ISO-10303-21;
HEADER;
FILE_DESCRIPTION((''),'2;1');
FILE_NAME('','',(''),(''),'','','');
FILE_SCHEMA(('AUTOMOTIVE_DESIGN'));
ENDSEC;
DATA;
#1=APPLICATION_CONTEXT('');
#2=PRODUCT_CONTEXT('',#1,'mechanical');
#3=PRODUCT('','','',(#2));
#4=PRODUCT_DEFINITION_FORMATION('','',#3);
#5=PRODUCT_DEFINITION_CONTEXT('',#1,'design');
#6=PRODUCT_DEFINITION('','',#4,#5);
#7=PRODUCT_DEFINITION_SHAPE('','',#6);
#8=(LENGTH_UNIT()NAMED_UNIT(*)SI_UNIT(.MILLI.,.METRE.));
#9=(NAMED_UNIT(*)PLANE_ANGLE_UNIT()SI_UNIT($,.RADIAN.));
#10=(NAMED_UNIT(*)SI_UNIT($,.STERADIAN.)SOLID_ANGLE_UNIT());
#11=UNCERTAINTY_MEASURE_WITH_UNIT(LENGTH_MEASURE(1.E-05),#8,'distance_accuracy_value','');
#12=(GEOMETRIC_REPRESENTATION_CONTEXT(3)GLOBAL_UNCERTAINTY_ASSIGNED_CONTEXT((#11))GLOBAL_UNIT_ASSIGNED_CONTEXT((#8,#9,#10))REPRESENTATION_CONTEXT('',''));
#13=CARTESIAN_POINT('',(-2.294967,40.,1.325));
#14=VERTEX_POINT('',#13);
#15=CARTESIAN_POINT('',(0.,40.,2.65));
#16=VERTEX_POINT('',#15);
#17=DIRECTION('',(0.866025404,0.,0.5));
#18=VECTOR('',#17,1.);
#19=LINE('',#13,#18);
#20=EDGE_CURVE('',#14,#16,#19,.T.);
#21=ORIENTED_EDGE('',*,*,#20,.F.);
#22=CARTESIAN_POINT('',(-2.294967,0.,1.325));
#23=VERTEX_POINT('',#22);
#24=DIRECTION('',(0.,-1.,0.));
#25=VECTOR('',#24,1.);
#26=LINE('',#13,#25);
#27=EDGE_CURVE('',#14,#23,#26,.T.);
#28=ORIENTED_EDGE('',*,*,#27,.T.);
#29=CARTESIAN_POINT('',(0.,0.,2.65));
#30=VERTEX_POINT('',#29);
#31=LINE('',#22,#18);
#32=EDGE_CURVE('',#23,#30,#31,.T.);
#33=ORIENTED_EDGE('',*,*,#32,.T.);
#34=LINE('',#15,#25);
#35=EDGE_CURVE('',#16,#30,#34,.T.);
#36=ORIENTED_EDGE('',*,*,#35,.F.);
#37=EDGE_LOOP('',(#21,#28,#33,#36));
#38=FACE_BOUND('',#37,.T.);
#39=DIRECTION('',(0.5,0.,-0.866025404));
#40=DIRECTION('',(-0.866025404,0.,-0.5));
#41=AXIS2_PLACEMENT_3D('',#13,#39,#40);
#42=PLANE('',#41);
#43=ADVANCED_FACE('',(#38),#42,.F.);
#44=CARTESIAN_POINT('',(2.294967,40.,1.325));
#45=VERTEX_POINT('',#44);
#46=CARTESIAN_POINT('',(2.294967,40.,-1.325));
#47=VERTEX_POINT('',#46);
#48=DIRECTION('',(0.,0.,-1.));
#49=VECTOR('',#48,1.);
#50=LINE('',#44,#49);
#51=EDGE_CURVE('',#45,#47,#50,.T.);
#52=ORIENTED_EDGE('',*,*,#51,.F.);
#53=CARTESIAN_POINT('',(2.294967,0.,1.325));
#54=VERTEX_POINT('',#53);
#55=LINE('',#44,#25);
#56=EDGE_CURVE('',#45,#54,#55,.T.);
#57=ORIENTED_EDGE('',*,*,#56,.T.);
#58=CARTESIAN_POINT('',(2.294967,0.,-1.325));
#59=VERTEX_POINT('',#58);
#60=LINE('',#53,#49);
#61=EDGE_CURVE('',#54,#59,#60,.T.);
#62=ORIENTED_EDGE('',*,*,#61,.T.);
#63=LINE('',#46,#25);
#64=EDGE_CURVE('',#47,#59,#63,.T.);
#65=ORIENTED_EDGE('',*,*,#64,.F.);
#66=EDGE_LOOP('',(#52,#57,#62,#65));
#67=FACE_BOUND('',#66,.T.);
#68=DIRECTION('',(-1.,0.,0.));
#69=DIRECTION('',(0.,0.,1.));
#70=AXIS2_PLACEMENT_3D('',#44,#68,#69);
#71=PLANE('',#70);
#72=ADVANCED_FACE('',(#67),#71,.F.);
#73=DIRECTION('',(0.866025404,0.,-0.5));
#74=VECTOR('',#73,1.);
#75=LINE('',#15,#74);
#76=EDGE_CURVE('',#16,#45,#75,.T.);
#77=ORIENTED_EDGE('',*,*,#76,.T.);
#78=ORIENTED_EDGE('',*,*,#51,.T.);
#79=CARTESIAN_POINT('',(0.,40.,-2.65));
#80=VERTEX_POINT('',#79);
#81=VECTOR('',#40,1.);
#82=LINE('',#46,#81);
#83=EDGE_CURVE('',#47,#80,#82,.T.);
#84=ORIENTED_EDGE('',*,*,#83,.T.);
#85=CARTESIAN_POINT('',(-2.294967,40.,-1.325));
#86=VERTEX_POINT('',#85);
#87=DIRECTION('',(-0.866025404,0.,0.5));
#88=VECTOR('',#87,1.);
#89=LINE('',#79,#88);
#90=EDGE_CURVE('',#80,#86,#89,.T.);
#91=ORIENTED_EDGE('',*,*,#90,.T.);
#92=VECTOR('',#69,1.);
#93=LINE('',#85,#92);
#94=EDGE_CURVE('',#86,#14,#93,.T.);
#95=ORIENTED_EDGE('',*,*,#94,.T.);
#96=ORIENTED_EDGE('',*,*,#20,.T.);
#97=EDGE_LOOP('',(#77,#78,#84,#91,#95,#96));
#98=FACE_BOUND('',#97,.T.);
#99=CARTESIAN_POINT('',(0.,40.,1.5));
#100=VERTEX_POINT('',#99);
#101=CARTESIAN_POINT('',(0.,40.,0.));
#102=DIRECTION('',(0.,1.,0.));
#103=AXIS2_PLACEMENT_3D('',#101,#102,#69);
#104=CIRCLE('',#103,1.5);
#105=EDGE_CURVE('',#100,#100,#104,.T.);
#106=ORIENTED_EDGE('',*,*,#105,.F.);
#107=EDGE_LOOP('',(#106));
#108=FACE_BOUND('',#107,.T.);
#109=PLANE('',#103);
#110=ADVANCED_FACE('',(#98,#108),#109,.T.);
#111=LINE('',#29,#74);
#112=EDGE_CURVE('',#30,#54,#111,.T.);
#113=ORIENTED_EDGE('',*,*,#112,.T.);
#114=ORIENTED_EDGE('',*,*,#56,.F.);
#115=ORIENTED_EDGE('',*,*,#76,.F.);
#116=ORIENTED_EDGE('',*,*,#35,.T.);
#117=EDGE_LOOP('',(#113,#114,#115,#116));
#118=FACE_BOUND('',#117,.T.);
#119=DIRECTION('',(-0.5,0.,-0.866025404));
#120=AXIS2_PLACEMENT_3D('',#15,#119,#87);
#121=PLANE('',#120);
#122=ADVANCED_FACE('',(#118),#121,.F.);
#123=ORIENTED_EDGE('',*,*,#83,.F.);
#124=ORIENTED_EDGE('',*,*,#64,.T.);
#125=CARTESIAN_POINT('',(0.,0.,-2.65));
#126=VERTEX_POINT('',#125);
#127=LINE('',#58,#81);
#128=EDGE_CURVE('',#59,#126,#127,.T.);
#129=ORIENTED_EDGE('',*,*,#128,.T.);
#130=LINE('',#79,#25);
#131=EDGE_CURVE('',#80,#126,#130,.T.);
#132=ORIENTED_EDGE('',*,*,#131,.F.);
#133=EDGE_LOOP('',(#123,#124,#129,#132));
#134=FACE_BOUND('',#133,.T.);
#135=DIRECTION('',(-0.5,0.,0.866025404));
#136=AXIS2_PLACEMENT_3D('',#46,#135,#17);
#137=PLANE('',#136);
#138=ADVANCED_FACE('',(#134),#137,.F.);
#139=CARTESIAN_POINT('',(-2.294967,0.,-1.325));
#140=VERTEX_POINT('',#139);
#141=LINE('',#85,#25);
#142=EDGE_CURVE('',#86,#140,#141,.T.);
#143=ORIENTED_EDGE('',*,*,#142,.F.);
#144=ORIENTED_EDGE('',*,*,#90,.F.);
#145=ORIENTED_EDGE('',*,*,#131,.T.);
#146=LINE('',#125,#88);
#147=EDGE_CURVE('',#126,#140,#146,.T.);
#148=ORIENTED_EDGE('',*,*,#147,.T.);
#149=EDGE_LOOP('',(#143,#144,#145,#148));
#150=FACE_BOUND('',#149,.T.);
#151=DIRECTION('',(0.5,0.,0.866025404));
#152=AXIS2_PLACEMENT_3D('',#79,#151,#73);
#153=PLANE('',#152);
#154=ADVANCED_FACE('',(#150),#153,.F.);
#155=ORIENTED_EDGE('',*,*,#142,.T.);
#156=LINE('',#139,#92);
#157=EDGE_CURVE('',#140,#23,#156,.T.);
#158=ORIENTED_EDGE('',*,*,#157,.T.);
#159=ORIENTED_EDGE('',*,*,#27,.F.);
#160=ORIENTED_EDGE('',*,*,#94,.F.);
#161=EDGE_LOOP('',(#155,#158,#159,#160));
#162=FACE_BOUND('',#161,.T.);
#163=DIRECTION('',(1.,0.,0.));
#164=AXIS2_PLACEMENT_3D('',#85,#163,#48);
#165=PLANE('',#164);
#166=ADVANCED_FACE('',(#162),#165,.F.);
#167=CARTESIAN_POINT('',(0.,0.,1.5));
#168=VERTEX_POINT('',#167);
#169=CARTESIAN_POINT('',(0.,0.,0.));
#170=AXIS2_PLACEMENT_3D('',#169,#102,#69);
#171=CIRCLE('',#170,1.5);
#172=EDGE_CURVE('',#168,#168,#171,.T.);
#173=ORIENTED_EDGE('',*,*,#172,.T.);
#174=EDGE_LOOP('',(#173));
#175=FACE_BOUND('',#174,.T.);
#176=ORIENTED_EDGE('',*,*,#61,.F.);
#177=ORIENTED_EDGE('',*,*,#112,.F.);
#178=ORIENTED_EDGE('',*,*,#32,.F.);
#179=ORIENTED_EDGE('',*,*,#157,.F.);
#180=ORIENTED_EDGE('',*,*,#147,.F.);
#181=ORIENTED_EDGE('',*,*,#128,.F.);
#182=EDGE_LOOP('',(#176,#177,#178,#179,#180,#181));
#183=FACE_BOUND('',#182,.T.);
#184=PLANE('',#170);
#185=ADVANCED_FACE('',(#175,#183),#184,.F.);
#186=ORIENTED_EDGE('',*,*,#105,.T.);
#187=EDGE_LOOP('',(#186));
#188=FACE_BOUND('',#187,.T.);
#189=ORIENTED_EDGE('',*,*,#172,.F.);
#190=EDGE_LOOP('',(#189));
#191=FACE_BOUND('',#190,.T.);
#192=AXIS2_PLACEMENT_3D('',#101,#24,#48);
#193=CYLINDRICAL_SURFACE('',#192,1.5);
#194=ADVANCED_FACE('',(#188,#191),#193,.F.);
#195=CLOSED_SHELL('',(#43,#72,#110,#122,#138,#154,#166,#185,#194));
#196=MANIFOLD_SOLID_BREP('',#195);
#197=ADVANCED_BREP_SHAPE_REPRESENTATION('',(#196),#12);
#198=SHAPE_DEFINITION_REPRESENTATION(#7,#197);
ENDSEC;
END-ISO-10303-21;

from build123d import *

# Parameters (mm, degrees)
SKETCH2_R           = 1.5
BOSS_EXTRUDE1_DEPTH = 40


with BuildPart() as part:
    # Sketch2 → Boss-Extrude1 (new body)
    with BuildSketch(Plane(origin=(0, 0, 0), x_dir=(1, 0, 0), z_dir=(0, 1, 0))):
        Polygon((0, 2.65), (-2.29496732, 1.325), (-2.29496732, -1.325), (0, -2.65), (2.29496732, -1.325), (2.29496732, 1.325), align=None)
        with Locations(Location((0, 0, 0), (0, 0, 270))):
            Circle(SKETCH2_R, mode=Mode.SUBTRACT)
    extrude(amount=BOSS_EXTRUDE1_DEPTH)


solid = part.part
